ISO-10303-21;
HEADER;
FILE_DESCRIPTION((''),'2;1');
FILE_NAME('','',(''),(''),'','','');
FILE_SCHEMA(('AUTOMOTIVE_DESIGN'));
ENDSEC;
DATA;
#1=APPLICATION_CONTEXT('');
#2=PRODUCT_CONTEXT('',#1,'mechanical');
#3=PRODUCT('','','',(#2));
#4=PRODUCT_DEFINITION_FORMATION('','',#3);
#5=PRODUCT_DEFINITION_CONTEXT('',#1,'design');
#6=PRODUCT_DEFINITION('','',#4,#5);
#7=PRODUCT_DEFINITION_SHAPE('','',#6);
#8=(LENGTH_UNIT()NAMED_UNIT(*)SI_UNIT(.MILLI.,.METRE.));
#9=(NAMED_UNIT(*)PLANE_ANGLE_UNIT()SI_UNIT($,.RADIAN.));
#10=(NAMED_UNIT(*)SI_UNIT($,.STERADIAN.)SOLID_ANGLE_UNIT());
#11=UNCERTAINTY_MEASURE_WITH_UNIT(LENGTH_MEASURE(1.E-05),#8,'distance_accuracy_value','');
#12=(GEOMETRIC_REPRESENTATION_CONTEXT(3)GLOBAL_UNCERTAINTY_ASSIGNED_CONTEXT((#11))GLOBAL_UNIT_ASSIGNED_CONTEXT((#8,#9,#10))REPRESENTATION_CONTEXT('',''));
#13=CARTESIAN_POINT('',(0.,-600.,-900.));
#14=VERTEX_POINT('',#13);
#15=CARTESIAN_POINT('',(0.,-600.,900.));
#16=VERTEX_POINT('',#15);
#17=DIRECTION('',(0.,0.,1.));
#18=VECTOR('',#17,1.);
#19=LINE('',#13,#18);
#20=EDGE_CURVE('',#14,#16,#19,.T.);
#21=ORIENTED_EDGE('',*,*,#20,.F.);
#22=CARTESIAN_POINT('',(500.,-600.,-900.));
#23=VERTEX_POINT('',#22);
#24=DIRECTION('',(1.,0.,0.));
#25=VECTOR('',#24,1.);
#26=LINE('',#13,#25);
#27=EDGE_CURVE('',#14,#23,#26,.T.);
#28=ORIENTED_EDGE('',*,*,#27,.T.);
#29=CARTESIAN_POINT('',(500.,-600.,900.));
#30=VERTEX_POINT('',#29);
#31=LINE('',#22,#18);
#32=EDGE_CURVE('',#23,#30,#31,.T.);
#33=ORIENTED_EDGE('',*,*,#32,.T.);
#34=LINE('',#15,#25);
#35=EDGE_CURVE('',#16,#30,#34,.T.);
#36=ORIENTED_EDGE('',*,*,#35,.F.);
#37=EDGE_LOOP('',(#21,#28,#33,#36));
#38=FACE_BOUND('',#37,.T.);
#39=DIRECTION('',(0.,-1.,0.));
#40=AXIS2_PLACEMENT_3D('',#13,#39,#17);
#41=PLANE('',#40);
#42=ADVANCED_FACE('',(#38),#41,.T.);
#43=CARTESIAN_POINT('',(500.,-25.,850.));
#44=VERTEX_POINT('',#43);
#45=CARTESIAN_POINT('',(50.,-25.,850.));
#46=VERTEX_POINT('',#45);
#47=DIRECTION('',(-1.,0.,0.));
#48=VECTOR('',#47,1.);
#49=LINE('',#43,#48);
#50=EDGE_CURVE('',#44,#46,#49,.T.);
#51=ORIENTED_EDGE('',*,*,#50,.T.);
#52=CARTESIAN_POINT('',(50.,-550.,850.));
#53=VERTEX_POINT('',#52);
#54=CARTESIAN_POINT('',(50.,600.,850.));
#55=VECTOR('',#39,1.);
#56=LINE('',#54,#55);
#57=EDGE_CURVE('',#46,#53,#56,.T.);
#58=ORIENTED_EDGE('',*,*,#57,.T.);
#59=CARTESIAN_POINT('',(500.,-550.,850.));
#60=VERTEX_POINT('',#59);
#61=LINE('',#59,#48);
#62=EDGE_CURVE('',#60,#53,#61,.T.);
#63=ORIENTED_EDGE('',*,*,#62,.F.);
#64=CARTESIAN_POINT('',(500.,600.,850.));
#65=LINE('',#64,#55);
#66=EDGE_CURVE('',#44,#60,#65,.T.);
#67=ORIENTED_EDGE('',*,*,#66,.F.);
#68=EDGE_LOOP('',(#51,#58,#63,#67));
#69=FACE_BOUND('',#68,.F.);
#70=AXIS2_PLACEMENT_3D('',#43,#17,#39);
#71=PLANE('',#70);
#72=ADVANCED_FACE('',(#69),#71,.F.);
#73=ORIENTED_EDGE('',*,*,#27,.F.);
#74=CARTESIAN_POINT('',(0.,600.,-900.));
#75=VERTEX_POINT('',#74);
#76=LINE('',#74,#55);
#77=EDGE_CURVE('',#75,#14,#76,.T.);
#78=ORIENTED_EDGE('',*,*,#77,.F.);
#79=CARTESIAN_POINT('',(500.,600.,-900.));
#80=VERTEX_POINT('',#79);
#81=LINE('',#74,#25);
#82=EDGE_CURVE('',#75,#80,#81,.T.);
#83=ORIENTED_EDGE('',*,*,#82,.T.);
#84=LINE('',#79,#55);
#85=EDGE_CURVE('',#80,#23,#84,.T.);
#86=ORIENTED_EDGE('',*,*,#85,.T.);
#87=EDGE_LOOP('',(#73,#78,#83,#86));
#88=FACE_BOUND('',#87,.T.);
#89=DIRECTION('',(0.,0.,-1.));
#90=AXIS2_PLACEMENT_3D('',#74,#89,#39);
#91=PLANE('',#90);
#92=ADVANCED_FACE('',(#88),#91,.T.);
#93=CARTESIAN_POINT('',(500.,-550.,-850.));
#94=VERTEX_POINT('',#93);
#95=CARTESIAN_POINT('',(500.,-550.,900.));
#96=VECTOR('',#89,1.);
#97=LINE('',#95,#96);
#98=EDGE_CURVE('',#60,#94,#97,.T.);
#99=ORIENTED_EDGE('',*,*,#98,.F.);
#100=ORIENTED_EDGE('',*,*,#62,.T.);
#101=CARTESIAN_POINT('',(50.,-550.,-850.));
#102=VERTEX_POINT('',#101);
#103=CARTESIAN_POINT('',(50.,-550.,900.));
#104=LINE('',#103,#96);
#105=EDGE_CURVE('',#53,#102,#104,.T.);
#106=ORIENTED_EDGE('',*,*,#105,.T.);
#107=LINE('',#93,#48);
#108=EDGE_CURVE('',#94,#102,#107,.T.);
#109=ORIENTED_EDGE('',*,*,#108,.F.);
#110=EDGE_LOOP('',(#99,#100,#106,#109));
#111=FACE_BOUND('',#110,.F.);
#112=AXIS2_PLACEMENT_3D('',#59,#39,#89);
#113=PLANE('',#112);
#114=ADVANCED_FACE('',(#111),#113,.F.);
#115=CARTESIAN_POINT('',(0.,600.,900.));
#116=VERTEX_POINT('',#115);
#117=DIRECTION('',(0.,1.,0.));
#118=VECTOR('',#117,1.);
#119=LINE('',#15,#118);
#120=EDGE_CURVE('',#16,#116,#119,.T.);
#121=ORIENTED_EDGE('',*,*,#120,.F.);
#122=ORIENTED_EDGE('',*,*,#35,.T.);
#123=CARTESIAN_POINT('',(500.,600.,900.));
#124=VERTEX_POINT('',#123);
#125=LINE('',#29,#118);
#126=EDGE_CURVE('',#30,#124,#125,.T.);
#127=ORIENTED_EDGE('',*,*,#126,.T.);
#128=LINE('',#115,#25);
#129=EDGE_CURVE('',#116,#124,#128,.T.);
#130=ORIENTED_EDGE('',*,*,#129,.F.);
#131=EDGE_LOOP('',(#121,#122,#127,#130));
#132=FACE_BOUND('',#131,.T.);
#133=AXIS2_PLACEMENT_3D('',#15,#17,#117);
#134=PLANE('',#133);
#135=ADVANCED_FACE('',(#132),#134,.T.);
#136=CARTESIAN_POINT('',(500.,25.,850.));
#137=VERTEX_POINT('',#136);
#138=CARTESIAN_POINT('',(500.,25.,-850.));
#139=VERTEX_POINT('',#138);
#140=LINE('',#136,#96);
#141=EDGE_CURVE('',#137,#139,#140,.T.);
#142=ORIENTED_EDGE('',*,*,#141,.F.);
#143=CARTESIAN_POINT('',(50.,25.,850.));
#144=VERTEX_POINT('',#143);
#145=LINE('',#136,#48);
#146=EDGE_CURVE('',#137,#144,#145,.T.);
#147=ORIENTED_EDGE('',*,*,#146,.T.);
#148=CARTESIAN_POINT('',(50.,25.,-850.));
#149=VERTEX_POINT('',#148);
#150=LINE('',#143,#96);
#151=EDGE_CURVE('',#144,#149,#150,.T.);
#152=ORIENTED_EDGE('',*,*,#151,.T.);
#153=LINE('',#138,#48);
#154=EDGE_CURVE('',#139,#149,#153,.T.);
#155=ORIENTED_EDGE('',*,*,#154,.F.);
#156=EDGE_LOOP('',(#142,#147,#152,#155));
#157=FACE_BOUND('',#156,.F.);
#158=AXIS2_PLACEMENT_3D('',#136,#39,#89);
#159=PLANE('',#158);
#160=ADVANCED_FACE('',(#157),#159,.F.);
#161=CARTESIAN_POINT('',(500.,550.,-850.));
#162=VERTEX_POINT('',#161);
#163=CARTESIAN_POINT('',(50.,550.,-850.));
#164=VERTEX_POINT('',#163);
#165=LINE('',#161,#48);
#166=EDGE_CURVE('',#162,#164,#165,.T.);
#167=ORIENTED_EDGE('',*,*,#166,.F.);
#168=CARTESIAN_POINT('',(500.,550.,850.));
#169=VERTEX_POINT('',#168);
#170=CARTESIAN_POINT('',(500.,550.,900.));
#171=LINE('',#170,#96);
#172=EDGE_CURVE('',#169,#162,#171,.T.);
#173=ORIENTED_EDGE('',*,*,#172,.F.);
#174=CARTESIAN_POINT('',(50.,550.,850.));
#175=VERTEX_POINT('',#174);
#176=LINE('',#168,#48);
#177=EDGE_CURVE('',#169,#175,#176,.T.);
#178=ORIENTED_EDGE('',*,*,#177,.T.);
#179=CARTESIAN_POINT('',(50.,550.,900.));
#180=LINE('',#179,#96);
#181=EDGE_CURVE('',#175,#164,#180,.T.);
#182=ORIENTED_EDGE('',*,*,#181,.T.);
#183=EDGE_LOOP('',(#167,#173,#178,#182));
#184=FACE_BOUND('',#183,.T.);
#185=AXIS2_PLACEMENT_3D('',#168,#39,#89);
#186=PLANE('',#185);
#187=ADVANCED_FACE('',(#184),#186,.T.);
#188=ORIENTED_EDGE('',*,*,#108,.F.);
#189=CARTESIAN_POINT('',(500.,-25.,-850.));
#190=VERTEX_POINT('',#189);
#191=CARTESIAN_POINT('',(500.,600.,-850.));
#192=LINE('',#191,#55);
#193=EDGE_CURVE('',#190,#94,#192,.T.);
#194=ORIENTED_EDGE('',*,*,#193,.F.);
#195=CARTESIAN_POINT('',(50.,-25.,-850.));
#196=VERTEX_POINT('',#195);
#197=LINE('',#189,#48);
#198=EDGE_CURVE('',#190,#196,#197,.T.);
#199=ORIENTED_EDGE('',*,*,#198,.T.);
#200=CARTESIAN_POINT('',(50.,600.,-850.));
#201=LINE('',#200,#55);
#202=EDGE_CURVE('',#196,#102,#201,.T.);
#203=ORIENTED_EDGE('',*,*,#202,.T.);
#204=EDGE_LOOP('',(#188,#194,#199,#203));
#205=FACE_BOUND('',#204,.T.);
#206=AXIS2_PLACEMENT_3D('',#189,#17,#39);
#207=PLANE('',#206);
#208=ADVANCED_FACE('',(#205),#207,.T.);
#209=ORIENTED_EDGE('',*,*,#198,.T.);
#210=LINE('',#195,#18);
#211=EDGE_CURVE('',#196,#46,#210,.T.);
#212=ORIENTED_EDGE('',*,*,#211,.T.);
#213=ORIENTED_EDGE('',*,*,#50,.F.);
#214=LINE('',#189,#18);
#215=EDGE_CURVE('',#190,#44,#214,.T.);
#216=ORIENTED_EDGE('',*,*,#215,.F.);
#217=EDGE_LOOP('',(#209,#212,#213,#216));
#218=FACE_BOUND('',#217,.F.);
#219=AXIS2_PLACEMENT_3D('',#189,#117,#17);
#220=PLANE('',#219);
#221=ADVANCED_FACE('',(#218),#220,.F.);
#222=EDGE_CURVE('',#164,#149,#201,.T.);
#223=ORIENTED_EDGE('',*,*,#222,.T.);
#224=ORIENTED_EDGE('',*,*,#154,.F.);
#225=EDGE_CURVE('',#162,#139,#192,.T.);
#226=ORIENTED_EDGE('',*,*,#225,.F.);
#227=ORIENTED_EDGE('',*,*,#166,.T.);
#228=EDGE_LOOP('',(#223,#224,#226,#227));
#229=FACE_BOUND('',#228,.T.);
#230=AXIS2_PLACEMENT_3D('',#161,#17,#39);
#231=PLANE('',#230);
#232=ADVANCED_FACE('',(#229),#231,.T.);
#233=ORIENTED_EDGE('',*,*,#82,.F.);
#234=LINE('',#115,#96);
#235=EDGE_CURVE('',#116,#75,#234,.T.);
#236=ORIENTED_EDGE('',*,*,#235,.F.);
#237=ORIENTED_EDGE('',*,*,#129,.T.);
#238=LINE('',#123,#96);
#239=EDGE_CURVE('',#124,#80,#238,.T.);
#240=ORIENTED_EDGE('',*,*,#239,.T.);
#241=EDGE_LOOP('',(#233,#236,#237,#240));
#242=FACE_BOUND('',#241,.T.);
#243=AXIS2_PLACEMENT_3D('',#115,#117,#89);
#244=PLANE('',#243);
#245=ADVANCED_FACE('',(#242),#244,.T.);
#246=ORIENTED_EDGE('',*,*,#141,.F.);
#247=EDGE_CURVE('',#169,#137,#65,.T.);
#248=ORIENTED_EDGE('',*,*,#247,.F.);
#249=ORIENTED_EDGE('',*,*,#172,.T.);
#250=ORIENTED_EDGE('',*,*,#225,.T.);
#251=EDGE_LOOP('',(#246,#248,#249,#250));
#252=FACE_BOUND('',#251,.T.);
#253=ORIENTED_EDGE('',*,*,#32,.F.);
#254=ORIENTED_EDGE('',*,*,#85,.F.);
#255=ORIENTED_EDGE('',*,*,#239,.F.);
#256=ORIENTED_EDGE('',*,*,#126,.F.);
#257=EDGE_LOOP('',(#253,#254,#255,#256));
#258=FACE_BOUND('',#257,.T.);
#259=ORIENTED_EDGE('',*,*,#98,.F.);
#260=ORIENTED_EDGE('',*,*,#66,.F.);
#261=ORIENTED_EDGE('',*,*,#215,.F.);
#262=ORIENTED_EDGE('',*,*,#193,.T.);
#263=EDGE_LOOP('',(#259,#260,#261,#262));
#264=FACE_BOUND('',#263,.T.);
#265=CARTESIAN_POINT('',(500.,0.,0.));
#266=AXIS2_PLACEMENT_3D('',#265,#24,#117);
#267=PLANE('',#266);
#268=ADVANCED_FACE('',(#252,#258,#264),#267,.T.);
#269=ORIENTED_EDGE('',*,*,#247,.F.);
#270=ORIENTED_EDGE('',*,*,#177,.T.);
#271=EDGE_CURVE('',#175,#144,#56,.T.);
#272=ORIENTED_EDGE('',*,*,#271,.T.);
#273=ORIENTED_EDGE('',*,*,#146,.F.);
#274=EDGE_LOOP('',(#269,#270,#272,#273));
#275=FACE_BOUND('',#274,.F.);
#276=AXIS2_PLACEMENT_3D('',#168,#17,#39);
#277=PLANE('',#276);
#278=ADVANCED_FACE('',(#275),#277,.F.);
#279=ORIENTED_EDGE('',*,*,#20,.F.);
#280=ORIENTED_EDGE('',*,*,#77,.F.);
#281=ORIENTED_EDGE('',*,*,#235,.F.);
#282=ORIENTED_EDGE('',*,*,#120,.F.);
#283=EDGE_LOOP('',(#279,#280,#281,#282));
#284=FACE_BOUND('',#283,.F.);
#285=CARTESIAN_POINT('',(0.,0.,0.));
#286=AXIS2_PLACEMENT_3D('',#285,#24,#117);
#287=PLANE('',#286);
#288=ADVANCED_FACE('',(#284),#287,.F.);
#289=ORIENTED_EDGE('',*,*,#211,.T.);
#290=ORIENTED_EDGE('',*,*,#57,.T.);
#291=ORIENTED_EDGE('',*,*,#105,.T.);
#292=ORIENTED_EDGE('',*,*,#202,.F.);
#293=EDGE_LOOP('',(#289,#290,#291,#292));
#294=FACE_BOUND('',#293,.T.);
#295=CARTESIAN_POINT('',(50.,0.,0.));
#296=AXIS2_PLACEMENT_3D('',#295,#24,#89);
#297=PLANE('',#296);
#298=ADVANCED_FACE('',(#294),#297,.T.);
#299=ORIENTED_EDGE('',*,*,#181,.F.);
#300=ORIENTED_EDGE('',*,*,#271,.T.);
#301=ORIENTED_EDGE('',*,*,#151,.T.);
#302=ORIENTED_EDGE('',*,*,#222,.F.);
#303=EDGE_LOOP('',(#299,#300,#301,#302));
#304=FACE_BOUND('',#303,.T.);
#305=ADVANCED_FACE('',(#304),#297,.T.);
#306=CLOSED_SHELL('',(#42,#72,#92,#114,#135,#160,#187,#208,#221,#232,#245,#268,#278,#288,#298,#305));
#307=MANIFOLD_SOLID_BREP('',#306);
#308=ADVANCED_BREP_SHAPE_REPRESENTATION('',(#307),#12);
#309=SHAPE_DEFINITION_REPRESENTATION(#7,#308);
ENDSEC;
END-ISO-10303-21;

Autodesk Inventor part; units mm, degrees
ref_plane "YZ Plane" through (0, 0, 0) normal (1, 0, 0) x (0, 1, 0)
ref_plane "XZ Plane" through (0, 0, 0) normal (0, 1, 0) x (-1, 0, 0)
ref_plane "XY Plane" through (0, 0, 0) normal (0, 0, 1) x (1, 0, 0)
sketch "草图1" plane through (0, 0, 0) normal (1, 0, 0) x (0, 1, 0)
  line L0 (-600, 900) -> (600, 900)
  line L1 (600, 900) -> (600, -900)
  line L2 (600, -900) -> (-600, -900)
  line L3 (-600, -900) -> (-600, 900)
  line L4 (-600, 900) -> (600, -900) construction
  line L5 (600, 900) -> (-600, -900) construction
  point P0 (0, 0)
  dimension "d0" = 1200
  dimension "d1" = 1800
extrude "拉伸1" add sketch "草图1" along normal blind 500
sketch "草图2" plane through (500, 0, 0) normal (1, 0, 0) x (0, 0, -1)
  line L0 (-900, 600) -> (-900, -600) projected
  line L1 (-900, 600) -> (-850, 600)
  line L2 (900, -600) -> (900, 600) projected
  line L3 (-850, 600) -> (-850, -600)
  line L4 (-900, -600) -> (-900, -550)
  line L5 (-900, -550) -> (900, -550)
  line L6 (-900, 600) -> (-900, 550)
  line L7 (-900, 550) -> (900, 550)
  line L8 (900, 600) -> (-900, 600) projected
  line L9 (900, 600) -> (850, 600)
  line L10 (850, 600) -> (850, -600)
  line L11 (-900, -600) -> (900, -600) projected
  line L12 (-850, 0) -> (-850, -25)
  line L13 (-850, -25) -> (-850, 25)
  line L14 (-850, 25) -> (850, 25)
  line L15 (850, -25) -> (-850, -25)
  point P0 (0, 0)
  point P1 (-850, -550)
  point P2 (850, -550)
  point P3 (850, 550)
  point P4 (-850, 550)
  dimension "d10" = 50
  dimension "d11" = 50
  dimension "d12" = 50
  dimension "d13" = 50
  dimension "d14" = 25
  dimension "d15" = 50
extrude "拉伸2" cut sketch "草图2" against normal blind 450 contours L7 L10 L14 L3 | L3 L15 L10 L5
properties part number "书架" material "木材(枫木)"
